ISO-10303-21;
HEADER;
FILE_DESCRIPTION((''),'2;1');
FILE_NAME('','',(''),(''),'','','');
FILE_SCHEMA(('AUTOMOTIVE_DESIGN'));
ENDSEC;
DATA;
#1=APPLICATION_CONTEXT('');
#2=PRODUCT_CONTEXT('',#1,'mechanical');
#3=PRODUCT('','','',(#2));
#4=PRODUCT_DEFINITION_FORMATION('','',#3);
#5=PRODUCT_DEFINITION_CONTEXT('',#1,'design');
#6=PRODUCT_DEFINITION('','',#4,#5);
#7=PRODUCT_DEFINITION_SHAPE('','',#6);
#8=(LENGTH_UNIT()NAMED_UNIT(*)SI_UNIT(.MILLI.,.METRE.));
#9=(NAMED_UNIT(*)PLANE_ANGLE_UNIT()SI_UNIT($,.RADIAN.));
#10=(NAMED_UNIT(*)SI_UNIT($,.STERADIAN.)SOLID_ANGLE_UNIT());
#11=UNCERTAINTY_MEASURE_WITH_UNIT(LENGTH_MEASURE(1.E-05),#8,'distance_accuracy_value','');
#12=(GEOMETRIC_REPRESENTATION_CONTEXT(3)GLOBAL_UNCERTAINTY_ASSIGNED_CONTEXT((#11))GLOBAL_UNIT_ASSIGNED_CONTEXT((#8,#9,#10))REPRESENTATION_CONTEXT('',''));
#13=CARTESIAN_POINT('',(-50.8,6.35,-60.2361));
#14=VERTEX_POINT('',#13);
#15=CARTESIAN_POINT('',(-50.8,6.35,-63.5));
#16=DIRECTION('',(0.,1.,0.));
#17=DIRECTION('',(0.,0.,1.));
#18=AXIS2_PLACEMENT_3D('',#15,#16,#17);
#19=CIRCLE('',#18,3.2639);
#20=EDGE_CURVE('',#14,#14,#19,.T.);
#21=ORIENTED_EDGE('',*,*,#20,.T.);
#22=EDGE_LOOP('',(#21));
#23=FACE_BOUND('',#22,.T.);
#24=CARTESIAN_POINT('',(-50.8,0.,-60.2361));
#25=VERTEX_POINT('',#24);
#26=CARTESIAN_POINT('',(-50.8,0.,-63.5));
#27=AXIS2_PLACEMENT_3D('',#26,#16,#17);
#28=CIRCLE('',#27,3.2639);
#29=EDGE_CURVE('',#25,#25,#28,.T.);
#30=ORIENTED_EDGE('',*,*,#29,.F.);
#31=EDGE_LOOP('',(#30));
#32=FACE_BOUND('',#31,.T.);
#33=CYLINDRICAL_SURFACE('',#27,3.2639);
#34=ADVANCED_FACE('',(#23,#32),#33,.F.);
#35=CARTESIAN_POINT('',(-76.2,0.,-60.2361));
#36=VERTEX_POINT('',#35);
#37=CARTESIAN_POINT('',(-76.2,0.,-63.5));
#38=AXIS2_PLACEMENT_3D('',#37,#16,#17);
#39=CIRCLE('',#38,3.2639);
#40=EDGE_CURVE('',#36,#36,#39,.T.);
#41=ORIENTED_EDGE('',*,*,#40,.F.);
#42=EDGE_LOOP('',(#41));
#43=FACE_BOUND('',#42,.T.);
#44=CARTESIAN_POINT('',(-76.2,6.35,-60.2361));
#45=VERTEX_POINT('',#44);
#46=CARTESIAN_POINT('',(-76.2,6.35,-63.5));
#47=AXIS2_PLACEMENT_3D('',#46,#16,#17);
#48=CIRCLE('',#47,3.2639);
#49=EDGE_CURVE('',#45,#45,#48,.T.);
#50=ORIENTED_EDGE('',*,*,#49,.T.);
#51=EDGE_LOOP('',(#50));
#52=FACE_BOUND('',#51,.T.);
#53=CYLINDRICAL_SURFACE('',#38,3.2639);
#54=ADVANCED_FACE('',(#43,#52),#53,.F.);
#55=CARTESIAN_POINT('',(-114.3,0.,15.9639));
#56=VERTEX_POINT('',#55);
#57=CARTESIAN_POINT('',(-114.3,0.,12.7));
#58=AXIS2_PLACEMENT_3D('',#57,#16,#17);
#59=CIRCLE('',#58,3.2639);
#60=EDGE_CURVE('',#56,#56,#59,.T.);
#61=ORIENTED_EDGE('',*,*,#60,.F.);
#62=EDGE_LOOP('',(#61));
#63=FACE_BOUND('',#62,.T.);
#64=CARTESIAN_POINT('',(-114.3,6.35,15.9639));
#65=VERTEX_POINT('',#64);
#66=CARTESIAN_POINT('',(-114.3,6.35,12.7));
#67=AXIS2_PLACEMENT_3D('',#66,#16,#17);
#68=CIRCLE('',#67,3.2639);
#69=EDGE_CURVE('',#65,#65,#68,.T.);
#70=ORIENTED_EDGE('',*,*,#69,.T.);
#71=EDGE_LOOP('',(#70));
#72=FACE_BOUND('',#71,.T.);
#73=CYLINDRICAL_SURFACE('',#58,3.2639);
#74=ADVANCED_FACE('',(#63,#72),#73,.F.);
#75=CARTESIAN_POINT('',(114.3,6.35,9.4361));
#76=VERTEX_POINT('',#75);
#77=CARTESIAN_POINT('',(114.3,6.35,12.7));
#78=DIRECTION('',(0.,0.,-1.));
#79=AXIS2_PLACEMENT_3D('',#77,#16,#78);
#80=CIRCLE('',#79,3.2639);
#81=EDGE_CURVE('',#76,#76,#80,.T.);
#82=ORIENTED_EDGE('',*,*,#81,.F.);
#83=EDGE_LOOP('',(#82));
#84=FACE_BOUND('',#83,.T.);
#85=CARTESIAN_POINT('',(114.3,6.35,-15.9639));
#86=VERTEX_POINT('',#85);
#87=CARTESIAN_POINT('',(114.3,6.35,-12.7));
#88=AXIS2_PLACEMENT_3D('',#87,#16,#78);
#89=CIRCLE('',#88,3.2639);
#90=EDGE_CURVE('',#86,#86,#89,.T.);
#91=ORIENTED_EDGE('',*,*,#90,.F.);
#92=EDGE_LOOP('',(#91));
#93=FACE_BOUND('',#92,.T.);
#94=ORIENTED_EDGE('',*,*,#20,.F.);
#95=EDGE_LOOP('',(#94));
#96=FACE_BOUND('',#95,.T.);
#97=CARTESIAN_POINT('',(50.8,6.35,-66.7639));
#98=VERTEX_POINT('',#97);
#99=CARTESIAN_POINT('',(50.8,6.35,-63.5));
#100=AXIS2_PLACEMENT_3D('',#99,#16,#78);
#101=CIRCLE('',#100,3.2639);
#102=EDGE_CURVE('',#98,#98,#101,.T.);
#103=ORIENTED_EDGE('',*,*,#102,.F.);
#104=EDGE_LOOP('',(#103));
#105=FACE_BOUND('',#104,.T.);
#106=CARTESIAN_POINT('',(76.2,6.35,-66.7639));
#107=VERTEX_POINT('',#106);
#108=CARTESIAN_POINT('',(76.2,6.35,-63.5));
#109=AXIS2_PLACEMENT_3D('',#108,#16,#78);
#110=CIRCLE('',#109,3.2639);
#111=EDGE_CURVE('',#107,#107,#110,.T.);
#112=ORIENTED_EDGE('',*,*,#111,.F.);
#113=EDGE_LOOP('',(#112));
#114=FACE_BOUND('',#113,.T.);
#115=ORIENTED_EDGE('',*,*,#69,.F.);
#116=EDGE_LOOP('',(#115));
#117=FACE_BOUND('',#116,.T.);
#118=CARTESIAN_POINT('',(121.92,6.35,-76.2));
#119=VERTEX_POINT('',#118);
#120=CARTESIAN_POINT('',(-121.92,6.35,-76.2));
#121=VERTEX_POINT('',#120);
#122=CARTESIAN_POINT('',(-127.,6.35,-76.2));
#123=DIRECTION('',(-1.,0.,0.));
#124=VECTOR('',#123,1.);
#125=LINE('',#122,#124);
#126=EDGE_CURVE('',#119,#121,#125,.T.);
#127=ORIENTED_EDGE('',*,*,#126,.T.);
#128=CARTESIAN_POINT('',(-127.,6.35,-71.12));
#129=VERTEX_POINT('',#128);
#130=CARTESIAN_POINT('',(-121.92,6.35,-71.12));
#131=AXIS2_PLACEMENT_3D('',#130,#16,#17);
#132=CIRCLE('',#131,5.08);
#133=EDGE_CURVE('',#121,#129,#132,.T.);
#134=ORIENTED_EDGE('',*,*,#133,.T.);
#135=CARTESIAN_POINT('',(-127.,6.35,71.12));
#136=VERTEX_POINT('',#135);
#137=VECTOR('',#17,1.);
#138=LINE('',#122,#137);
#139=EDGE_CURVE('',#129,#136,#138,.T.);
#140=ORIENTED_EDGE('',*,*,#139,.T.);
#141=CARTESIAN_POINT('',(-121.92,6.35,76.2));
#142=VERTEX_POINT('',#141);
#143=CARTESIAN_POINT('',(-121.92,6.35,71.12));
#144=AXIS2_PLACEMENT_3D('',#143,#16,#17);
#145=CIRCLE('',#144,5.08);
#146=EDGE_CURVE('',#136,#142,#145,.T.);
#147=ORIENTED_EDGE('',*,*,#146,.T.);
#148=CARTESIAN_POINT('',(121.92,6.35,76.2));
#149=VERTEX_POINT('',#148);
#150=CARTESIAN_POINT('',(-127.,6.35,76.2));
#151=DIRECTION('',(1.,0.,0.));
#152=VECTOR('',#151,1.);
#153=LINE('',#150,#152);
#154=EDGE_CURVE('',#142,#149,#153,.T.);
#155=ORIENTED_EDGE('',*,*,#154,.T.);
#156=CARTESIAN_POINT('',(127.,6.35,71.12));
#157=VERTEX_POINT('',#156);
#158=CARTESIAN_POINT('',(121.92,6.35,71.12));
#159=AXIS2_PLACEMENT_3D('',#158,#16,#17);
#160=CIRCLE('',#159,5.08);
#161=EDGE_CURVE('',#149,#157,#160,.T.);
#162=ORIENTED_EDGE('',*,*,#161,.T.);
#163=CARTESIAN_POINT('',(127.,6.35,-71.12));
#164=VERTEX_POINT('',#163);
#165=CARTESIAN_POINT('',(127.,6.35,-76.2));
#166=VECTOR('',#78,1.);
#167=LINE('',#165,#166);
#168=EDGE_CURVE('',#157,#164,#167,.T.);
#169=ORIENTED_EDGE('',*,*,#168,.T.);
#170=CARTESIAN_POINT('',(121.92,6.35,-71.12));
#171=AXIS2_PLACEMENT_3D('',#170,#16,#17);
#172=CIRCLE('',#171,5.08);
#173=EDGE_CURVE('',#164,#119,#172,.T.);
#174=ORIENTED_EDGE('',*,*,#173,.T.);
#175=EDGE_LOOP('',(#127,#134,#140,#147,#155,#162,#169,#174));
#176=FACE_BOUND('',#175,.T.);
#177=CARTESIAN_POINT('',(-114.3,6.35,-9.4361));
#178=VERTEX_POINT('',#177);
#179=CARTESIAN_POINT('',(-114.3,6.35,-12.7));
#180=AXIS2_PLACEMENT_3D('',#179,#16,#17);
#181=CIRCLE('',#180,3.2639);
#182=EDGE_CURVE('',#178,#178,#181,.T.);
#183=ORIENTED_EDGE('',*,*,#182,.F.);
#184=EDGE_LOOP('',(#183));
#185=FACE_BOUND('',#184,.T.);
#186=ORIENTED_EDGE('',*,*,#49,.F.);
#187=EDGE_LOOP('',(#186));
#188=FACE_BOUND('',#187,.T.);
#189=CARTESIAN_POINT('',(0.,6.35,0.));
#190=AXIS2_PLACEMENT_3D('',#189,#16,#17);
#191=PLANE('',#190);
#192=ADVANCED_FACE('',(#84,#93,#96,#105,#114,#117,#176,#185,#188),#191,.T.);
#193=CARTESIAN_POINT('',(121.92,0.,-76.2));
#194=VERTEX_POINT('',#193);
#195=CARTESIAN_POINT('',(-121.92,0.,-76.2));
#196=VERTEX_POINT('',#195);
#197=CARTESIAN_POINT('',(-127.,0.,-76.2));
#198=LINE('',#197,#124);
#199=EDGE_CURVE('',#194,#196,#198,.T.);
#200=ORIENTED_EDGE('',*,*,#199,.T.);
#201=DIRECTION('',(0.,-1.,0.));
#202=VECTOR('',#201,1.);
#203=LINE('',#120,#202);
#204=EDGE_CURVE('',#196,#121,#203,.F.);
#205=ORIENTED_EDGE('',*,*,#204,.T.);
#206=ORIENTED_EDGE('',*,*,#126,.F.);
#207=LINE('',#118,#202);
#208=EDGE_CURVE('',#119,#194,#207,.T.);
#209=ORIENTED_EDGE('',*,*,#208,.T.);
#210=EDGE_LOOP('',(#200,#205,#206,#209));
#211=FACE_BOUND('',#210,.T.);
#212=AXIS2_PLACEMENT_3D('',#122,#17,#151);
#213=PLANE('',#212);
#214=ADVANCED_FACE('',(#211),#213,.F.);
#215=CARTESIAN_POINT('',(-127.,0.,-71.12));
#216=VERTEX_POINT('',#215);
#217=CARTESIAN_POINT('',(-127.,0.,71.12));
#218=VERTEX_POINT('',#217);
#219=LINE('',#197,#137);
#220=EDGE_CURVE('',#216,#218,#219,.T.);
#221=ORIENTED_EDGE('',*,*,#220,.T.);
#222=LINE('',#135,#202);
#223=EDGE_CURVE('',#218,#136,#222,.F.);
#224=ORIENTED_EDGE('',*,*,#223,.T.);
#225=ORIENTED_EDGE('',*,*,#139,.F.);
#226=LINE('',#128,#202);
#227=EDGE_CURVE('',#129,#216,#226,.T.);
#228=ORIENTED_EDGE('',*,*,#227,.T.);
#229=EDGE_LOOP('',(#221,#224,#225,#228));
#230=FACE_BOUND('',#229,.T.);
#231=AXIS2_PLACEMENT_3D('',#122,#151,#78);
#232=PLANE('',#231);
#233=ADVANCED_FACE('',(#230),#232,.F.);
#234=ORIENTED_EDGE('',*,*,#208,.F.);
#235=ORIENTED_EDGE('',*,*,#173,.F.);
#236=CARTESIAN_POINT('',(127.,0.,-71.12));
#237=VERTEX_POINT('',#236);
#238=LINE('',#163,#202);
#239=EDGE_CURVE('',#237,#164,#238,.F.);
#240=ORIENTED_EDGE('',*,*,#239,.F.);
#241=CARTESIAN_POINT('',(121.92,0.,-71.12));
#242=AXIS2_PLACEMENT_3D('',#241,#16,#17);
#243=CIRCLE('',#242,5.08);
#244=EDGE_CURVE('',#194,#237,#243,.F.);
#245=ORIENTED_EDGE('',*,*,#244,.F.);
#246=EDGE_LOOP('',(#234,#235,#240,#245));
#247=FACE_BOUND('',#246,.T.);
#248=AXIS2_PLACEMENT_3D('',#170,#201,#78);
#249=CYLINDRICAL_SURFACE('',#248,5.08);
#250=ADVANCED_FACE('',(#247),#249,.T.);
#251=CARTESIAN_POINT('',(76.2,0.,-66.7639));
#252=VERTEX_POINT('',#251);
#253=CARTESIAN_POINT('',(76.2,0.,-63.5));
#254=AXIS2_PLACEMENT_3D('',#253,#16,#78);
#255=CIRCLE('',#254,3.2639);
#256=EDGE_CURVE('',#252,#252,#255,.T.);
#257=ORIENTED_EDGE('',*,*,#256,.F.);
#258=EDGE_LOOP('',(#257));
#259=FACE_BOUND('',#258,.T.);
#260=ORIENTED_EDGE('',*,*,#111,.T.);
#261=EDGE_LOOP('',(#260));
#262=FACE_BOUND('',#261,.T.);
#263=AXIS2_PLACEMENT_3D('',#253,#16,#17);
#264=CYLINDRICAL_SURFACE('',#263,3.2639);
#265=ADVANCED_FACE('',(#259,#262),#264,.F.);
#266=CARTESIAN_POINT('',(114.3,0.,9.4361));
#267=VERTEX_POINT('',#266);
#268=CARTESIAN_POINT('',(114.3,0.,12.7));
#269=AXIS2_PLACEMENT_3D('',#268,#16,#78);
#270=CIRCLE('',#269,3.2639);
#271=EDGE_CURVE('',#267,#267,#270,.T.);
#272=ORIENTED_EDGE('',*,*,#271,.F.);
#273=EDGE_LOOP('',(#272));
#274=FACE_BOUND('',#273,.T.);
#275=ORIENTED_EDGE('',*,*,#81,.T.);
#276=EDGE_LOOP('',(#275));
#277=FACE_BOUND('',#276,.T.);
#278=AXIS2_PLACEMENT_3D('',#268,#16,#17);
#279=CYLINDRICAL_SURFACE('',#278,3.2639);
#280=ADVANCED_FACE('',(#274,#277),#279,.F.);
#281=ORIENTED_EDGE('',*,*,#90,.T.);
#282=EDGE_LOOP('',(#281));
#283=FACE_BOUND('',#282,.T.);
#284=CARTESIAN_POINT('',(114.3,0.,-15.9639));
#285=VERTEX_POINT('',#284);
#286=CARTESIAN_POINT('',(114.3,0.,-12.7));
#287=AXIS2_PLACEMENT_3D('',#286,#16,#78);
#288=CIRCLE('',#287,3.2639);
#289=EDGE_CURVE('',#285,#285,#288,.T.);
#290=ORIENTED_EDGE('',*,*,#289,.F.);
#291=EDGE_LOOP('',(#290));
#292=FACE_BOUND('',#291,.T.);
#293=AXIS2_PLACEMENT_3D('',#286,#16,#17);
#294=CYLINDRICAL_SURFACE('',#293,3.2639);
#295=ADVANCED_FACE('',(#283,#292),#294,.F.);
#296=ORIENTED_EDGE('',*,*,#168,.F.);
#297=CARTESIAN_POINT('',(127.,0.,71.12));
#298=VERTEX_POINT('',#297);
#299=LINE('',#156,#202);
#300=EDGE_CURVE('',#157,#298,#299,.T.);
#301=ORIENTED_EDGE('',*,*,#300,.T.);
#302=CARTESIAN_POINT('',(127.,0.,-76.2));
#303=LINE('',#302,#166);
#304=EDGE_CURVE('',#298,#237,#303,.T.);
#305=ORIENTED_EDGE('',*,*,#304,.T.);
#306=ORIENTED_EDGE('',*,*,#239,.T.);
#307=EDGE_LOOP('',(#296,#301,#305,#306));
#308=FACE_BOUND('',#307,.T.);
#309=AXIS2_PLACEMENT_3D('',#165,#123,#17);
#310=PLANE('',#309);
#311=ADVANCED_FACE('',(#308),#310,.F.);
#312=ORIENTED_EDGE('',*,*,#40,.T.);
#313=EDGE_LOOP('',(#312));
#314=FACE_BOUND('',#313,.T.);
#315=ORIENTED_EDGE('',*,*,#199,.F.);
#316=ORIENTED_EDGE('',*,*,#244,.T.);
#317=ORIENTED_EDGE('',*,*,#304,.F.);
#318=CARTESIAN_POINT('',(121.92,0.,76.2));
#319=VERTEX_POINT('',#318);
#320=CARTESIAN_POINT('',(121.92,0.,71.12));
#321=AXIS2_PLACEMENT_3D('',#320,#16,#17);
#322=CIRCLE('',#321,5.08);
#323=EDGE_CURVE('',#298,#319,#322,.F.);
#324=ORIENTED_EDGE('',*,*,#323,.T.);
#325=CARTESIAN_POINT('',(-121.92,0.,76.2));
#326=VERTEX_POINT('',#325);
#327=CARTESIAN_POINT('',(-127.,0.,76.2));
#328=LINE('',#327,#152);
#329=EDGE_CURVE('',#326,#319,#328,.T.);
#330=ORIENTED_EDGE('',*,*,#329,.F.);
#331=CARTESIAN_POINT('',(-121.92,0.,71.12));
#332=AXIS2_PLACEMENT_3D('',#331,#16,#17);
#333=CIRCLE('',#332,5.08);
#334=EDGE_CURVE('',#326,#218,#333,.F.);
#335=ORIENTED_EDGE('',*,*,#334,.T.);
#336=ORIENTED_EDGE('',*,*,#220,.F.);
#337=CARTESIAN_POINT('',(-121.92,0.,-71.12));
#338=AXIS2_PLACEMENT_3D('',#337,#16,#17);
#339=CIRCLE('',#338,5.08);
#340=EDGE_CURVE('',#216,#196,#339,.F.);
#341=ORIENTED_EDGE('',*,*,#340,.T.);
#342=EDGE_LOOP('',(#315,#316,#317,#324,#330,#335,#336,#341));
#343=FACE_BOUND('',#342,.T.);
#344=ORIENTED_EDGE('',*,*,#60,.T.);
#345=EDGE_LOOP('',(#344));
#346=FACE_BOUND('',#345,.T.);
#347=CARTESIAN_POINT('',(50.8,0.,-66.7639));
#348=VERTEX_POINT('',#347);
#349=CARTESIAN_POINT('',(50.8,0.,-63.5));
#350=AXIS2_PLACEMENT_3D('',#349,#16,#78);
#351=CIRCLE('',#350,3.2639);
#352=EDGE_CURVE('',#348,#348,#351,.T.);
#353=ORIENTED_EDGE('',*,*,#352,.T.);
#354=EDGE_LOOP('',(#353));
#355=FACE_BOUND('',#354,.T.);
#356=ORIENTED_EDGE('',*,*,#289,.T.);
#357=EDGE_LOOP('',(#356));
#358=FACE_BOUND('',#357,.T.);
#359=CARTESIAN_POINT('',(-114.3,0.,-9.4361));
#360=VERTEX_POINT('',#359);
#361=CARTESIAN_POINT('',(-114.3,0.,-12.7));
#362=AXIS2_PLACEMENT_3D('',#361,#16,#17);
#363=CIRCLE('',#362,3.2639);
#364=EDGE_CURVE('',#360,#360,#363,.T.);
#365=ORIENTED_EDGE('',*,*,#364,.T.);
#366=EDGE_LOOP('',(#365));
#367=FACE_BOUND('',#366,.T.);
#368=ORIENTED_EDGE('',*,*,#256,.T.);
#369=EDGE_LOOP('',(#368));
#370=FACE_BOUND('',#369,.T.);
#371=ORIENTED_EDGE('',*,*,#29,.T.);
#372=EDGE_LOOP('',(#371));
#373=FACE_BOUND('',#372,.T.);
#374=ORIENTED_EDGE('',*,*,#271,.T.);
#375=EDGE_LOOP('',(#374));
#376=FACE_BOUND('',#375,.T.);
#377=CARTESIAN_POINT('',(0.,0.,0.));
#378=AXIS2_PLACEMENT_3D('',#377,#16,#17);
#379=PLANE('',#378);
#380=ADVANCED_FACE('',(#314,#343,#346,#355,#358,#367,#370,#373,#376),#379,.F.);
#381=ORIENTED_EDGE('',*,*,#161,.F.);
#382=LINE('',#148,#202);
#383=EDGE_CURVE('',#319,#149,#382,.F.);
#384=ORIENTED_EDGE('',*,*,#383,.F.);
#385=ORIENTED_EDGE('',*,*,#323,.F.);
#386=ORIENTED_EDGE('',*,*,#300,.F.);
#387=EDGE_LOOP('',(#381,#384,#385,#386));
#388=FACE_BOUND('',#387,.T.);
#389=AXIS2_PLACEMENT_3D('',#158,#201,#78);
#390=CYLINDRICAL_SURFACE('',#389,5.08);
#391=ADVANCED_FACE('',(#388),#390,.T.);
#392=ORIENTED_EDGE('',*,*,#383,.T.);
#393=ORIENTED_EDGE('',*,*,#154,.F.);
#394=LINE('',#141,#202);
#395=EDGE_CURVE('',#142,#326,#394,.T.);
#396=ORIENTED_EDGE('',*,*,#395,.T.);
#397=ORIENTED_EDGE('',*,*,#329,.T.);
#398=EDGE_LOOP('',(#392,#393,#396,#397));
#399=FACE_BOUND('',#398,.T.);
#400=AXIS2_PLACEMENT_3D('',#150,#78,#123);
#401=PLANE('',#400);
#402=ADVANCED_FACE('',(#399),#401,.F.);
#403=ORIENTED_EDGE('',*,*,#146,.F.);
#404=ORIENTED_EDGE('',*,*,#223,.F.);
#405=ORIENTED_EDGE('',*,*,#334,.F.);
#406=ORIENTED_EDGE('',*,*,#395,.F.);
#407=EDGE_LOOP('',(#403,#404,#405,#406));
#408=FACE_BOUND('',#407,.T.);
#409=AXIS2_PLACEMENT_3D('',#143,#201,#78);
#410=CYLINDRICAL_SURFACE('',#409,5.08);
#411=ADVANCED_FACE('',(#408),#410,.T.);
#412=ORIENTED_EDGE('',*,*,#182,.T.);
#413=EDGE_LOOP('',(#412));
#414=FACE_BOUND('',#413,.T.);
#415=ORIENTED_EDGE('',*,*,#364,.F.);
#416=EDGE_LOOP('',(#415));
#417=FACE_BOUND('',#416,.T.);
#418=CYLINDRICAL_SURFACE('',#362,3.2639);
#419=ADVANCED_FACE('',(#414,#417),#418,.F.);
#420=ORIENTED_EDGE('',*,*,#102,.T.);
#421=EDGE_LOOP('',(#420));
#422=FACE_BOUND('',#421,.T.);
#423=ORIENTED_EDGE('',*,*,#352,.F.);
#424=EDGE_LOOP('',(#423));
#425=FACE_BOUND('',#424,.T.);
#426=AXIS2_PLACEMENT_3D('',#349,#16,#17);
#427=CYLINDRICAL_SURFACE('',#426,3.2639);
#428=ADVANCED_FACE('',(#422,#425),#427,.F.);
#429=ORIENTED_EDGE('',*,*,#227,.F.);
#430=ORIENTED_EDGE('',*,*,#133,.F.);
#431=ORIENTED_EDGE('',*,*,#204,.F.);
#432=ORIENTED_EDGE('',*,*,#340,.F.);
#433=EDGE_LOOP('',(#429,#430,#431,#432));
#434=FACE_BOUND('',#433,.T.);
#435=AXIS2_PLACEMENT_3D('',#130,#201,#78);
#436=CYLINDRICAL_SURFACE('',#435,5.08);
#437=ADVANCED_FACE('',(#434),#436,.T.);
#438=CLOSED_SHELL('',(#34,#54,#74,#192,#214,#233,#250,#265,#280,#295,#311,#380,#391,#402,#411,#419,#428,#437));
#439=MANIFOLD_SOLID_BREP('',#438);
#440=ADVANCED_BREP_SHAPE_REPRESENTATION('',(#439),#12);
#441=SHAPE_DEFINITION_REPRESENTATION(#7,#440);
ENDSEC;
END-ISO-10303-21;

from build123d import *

# Parameters (mm, degrees)
SKETCH1_W           = 254
SKETCH1_H           = 152.4
BOSS_EXTRUDE1_DEPTH = 6.35
SKETCH3_R           = 3.2639
CUT_EXTRUDE2_DEPTH  = 149.24224263
FILLET1_R           = 5.08


with BuildPart() as part:
    # Sketch1 → Boss-Extrude1 (new body)
    with BuildSketch(Plane(origin=(0, 0, 0), x_dir=(1, 0, 0), z_dir=(0, 1, 0))):
        Rectangle(SKETCH1_W, SKETCH1_H)
    extrude(amount=BOSS_EXTRUDE1_DEPTH)

    # Sketch3 → Cut-Extrude2 (cut, through all)
    with BuildSketch(Plane(origin=(0, 6.35, 0), x_dir=(1, 0, 0), z_dir=(0, 1, 0))):
        with Locations(Location((-114.3, 12.7, 0), (0, 0, 270))):
            Circle(SKETCH3_R)
        with Locations(Location((-114.3, -12.7, 0), (0, 0, 270))):
            Circle(SKETCH3_R)
        with Locations(Location((-76.2, 63.5, 0), (0, 0, 270))):
            Circle(SKETCH3_R)
        with Locations(Location((-50.8, 63.5, 0), (0, 0, 270))):
            Circle(SKETCH3_R)
        with Locations(Location((50.8, 63.5, 0), (0, 0, 90))):
            Circle(SKETCH3_R)
        with Locations(Location((76.2, 63.5, 0), (0, 0, 90))):
            Circle(SKETCH3_R)
        with Locations(Location((114.3, -12.7, 0), (0, 0, 90))):
            Circle(SKETCH3_R)
        with Locations(Location((114.3, 12.7, 0), (0, 0, 90))):
            Circle(SKETCH3_R)
    extrude(amount=-CUT_EXTRUDE2_DEPTH, mode=Mode.SUBTRACT)

    # Fillet1
    fillet1_edges = [part.edges().sort_by_distance(p)[0] for p in [
        (127, 3.175, 76.2),
        (-127, 3.175, 76.2),
        (-127, 3.175, -76.2),
        (127, 3.175, -76.2),
    ]]
    fillet(fillet1_edges, radius=FILLET1_R)


solid = part.part
